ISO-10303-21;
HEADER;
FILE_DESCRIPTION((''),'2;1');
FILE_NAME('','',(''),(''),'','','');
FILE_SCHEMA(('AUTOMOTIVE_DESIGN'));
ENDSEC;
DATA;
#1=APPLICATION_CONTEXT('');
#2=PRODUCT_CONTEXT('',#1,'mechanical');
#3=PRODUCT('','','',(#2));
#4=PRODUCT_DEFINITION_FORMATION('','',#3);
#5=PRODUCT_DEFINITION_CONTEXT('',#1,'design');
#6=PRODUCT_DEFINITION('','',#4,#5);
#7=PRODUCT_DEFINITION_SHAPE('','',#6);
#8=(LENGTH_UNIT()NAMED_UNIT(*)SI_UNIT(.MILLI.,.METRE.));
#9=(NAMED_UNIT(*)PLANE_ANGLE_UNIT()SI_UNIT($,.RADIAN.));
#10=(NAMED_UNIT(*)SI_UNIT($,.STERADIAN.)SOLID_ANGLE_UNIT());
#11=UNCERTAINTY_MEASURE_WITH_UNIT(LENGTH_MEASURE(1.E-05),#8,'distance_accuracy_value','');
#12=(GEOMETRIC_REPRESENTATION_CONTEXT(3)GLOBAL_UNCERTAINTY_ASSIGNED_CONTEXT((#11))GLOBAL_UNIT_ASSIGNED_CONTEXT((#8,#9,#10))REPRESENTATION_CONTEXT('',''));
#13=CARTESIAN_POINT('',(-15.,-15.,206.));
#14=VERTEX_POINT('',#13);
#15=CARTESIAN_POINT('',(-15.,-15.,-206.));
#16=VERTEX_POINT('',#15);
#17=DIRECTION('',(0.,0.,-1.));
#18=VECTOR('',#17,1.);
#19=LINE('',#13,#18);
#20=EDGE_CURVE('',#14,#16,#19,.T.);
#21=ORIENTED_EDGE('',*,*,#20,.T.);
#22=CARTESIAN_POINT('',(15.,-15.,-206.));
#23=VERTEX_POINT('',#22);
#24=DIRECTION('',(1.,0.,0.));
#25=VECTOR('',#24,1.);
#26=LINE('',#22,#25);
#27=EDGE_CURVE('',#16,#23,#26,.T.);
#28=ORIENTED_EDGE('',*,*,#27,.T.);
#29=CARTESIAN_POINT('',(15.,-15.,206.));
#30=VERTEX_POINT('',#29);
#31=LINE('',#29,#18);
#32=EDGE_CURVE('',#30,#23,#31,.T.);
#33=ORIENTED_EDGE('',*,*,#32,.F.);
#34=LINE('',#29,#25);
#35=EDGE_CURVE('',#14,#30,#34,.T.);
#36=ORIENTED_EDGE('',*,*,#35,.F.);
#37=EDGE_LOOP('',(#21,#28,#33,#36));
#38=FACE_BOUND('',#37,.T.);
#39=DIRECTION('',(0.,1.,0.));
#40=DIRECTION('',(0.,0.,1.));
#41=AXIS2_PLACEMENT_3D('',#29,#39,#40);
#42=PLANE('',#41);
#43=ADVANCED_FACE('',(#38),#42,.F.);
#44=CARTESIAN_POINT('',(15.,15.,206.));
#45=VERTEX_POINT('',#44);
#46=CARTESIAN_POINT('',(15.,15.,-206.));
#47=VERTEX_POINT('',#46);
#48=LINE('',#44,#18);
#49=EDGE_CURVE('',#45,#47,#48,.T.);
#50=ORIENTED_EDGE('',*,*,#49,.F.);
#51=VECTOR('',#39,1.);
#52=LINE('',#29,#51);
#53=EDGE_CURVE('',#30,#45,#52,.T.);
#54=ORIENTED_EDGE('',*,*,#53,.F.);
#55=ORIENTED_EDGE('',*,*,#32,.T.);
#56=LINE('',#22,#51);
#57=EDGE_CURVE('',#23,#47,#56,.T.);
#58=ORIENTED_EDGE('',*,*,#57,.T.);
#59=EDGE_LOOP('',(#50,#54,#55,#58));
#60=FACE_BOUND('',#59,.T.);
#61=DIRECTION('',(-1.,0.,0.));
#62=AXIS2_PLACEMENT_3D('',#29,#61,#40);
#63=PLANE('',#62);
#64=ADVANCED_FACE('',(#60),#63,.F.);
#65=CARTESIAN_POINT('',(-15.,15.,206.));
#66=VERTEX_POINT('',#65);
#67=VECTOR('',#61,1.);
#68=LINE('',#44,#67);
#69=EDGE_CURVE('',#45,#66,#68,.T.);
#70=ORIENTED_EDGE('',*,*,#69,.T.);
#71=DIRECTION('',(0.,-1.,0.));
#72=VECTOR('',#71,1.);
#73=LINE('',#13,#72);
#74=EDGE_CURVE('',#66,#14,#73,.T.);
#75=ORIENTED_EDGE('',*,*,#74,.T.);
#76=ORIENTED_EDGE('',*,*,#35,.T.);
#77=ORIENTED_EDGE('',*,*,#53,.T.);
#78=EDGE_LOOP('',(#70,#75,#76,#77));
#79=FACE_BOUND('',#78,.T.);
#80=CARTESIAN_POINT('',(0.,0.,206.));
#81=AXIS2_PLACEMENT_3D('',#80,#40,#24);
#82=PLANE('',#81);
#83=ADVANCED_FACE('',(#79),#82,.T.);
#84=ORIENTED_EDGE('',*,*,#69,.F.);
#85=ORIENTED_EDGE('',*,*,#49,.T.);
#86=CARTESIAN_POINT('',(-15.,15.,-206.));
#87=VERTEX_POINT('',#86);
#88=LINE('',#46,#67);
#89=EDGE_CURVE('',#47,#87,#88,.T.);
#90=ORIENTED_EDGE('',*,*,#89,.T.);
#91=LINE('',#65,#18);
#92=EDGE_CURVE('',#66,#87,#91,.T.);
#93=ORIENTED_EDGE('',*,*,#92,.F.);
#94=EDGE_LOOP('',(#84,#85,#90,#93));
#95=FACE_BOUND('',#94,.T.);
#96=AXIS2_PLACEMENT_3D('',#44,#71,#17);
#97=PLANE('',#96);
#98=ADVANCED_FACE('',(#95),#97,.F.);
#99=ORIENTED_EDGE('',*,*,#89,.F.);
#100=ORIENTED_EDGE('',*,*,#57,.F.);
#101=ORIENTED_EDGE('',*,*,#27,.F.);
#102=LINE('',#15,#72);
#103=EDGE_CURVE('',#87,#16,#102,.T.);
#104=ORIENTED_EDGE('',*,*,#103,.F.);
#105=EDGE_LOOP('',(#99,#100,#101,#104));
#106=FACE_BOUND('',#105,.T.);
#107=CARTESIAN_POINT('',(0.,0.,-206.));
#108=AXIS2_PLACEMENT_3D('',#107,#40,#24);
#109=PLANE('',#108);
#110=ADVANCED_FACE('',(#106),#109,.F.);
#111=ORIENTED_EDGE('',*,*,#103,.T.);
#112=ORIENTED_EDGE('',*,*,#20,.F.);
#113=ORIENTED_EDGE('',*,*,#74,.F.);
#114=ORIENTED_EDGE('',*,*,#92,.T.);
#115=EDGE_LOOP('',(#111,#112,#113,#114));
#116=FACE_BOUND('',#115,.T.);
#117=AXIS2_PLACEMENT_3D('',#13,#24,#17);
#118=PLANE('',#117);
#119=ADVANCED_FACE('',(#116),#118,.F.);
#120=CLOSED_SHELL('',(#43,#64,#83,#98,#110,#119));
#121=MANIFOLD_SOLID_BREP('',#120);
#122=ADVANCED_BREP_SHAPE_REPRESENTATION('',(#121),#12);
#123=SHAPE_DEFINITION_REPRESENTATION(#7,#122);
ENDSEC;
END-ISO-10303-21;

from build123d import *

# Parameters (mm, degrees)
SKETCH_1_W      = 30
SKETCH_1_H      = 30
EXTRUDE_1_DEPTH = 206


with BuildPart() as part:
    # 草图1 → 凸台-拉伸1 (new, symmetric)
    with BuildSketch(Plane.XY):
        Rectangle(SKETCH_1_W, SKETCH_1_H)
    extrude(amount=EXTRUDE_1_DEPTH, both=True)


solid = part.part
